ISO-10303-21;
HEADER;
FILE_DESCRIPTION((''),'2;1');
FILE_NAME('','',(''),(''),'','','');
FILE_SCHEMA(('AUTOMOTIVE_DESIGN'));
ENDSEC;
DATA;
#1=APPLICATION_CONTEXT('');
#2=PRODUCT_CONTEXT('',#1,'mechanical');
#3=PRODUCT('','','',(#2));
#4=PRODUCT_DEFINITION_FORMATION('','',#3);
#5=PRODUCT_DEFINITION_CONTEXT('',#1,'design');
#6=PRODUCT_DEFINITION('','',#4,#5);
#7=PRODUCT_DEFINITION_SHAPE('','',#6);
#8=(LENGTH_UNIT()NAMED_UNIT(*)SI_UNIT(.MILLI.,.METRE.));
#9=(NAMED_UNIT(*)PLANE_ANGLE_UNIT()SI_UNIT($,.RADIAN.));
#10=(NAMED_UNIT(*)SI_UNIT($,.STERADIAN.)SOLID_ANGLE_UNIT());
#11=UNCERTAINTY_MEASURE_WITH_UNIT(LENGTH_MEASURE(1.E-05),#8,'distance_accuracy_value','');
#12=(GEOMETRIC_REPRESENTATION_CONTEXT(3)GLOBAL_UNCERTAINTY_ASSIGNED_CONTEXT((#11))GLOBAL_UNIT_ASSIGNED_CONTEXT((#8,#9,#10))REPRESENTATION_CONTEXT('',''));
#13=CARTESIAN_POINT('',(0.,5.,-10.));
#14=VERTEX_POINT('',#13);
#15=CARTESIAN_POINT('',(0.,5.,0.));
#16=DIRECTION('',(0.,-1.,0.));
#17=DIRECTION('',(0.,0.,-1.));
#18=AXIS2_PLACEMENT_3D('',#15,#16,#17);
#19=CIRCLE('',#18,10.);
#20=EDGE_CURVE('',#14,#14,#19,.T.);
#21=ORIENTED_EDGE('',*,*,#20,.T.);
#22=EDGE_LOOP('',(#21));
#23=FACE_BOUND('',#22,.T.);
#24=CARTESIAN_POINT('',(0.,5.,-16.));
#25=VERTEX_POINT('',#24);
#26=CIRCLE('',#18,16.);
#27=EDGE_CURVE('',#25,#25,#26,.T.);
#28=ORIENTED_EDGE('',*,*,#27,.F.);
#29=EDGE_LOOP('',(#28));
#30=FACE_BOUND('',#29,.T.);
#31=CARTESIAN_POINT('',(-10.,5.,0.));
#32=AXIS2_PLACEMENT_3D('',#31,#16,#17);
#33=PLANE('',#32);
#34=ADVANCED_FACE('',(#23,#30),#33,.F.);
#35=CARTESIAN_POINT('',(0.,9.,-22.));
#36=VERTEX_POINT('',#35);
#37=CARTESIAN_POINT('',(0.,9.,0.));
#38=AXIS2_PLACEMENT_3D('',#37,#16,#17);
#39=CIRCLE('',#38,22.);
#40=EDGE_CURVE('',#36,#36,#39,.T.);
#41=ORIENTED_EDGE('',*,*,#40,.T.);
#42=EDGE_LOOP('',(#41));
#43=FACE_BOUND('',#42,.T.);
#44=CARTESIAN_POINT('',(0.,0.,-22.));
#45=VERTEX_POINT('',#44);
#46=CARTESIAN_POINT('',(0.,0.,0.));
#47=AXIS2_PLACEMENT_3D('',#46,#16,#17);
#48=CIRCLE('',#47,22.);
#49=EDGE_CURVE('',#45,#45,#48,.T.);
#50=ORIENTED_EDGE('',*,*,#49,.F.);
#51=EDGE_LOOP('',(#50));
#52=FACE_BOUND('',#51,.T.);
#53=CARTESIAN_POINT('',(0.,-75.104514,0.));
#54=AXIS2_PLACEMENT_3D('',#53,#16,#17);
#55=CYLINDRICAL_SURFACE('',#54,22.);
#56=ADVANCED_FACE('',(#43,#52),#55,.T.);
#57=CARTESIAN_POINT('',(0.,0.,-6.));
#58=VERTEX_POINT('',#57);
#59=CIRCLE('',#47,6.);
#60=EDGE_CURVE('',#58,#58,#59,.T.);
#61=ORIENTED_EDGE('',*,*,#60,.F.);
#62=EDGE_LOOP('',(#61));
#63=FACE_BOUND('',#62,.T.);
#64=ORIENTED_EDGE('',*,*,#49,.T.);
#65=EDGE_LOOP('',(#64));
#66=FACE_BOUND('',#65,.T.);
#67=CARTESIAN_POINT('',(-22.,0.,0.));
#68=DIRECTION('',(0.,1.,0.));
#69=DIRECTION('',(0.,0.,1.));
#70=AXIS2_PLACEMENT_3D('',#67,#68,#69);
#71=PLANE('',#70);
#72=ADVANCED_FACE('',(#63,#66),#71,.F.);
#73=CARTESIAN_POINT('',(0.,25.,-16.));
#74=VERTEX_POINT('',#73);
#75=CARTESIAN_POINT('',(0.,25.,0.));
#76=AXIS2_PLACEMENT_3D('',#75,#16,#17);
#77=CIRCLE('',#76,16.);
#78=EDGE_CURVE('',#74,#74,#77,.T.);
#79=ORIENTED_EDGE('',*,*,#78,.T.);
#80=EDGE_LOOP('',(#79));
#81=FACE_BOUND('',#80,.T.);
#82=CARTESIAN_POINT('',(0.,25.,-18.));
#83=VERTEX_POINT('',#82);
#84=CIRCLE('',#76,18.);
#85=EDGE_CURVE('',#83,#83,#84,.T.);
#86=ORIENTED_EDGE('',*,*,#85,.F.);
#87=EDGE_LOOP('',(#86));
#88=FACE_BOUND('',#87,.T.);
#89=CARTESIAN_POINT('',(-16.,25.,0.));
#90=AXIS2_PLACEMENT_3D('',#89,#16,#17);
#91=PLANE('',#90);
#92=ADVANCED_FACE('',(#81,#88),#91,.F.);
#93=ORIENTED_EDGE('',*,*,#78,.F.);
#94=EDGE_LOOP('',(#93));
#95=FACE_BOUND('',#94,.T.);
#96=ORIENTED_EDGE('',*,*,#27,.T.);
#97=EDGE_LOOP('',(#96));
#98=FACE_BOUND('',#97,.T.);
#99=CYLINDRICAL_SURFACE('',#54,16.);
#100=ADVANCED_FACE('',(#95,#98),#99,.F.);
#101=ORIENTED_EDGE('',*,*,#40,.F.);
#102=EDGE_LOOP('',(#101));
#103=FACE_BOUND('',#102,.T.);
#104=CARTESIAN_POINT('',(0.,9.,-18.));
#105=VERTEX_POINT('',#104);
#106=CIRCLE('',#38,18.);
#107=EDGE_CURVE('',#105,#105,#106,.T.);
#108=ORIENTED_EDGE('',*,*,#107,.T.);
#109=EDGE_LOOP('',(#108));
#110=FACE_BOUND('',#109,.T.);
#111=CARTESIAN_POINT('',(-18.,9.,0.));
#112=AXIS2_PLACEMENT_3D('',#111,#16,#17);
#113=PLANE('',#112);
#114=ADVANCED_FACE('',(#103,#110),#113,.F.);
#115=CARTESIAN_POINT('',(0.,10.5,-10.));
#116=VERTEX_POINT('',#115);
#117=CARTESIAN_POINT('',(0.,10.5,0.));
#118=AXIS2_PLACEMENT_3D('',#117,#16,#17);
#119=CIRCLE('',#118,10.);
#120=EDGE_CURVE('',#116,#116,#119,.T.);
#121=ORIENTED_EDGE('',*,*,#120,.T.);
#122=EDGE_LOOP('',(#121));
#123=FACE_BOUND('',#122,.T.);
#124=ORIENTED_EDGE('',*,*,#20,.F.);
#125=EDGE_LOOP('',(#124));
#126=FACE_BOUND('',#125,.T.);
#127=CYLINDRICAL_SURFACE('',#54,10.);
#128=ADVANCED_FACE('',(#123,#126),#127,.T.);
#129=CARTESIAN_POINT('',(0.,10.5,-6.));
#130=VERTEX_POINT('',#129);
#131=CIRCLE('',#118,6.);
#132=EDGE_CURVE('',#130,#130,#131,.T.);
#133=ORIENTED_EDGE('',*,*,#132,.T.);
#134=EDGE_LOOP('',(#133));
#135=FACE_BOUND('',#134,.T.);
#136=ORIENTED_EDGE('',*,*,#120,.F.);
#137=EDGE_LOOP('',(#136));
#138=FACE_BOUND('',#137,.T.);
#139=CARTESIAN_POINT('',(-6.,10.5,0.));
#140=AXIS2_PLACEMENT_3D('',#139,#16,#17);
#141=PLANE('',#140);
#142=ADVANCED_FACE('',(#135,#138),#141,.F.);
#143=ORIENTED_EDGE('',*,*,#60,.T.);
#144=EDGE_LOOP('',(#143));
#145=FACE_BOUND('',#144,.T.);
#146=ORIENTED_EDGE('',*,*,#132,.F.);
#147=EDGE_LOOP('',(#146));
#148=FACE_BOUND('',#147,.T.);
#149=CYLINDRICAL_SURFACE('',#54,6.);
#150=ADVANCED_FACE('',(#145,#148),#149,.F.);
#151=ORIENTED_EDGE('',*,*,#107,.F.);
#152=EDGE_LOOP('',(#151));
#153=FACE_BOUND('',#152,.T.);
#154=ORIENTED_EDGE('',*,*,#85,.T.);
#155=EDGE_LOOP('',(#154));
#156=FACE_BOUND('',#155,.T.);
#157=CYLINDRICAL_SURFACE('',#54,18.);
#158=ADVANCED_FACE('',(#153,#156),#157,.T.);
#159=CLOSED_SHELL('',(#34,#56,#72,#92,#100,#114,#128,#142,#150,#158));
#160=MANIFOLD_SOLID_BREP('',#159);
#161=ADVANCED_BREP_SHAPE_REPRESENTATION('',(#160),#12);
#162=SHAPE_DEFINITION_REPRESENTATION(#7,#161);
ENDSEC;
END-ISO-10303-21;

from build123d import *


with BuildPart() as part:
    # Esquisse1 → Base-Révolution (revolve)
    with BuildSketch(Plane.XY, mode=Mode.PRIVATE) as base_r_volution_sk:
        Polygon((-6, 0), (-6, 10.5), (-10, 10.5), (-10, 5), (-16, 5), (-16, 25), (-18, 25), (-18, 9), (-22, 9), (-22, 0), align=None)
    revolve(base_r_volution_sk.sketch.rotate(Axis((0, -75.104513541, 0), (0, 1, 0)), 270), axis=Axis((0, -75.104513541, 0), (0, 1, 0)))


solid = part.part
